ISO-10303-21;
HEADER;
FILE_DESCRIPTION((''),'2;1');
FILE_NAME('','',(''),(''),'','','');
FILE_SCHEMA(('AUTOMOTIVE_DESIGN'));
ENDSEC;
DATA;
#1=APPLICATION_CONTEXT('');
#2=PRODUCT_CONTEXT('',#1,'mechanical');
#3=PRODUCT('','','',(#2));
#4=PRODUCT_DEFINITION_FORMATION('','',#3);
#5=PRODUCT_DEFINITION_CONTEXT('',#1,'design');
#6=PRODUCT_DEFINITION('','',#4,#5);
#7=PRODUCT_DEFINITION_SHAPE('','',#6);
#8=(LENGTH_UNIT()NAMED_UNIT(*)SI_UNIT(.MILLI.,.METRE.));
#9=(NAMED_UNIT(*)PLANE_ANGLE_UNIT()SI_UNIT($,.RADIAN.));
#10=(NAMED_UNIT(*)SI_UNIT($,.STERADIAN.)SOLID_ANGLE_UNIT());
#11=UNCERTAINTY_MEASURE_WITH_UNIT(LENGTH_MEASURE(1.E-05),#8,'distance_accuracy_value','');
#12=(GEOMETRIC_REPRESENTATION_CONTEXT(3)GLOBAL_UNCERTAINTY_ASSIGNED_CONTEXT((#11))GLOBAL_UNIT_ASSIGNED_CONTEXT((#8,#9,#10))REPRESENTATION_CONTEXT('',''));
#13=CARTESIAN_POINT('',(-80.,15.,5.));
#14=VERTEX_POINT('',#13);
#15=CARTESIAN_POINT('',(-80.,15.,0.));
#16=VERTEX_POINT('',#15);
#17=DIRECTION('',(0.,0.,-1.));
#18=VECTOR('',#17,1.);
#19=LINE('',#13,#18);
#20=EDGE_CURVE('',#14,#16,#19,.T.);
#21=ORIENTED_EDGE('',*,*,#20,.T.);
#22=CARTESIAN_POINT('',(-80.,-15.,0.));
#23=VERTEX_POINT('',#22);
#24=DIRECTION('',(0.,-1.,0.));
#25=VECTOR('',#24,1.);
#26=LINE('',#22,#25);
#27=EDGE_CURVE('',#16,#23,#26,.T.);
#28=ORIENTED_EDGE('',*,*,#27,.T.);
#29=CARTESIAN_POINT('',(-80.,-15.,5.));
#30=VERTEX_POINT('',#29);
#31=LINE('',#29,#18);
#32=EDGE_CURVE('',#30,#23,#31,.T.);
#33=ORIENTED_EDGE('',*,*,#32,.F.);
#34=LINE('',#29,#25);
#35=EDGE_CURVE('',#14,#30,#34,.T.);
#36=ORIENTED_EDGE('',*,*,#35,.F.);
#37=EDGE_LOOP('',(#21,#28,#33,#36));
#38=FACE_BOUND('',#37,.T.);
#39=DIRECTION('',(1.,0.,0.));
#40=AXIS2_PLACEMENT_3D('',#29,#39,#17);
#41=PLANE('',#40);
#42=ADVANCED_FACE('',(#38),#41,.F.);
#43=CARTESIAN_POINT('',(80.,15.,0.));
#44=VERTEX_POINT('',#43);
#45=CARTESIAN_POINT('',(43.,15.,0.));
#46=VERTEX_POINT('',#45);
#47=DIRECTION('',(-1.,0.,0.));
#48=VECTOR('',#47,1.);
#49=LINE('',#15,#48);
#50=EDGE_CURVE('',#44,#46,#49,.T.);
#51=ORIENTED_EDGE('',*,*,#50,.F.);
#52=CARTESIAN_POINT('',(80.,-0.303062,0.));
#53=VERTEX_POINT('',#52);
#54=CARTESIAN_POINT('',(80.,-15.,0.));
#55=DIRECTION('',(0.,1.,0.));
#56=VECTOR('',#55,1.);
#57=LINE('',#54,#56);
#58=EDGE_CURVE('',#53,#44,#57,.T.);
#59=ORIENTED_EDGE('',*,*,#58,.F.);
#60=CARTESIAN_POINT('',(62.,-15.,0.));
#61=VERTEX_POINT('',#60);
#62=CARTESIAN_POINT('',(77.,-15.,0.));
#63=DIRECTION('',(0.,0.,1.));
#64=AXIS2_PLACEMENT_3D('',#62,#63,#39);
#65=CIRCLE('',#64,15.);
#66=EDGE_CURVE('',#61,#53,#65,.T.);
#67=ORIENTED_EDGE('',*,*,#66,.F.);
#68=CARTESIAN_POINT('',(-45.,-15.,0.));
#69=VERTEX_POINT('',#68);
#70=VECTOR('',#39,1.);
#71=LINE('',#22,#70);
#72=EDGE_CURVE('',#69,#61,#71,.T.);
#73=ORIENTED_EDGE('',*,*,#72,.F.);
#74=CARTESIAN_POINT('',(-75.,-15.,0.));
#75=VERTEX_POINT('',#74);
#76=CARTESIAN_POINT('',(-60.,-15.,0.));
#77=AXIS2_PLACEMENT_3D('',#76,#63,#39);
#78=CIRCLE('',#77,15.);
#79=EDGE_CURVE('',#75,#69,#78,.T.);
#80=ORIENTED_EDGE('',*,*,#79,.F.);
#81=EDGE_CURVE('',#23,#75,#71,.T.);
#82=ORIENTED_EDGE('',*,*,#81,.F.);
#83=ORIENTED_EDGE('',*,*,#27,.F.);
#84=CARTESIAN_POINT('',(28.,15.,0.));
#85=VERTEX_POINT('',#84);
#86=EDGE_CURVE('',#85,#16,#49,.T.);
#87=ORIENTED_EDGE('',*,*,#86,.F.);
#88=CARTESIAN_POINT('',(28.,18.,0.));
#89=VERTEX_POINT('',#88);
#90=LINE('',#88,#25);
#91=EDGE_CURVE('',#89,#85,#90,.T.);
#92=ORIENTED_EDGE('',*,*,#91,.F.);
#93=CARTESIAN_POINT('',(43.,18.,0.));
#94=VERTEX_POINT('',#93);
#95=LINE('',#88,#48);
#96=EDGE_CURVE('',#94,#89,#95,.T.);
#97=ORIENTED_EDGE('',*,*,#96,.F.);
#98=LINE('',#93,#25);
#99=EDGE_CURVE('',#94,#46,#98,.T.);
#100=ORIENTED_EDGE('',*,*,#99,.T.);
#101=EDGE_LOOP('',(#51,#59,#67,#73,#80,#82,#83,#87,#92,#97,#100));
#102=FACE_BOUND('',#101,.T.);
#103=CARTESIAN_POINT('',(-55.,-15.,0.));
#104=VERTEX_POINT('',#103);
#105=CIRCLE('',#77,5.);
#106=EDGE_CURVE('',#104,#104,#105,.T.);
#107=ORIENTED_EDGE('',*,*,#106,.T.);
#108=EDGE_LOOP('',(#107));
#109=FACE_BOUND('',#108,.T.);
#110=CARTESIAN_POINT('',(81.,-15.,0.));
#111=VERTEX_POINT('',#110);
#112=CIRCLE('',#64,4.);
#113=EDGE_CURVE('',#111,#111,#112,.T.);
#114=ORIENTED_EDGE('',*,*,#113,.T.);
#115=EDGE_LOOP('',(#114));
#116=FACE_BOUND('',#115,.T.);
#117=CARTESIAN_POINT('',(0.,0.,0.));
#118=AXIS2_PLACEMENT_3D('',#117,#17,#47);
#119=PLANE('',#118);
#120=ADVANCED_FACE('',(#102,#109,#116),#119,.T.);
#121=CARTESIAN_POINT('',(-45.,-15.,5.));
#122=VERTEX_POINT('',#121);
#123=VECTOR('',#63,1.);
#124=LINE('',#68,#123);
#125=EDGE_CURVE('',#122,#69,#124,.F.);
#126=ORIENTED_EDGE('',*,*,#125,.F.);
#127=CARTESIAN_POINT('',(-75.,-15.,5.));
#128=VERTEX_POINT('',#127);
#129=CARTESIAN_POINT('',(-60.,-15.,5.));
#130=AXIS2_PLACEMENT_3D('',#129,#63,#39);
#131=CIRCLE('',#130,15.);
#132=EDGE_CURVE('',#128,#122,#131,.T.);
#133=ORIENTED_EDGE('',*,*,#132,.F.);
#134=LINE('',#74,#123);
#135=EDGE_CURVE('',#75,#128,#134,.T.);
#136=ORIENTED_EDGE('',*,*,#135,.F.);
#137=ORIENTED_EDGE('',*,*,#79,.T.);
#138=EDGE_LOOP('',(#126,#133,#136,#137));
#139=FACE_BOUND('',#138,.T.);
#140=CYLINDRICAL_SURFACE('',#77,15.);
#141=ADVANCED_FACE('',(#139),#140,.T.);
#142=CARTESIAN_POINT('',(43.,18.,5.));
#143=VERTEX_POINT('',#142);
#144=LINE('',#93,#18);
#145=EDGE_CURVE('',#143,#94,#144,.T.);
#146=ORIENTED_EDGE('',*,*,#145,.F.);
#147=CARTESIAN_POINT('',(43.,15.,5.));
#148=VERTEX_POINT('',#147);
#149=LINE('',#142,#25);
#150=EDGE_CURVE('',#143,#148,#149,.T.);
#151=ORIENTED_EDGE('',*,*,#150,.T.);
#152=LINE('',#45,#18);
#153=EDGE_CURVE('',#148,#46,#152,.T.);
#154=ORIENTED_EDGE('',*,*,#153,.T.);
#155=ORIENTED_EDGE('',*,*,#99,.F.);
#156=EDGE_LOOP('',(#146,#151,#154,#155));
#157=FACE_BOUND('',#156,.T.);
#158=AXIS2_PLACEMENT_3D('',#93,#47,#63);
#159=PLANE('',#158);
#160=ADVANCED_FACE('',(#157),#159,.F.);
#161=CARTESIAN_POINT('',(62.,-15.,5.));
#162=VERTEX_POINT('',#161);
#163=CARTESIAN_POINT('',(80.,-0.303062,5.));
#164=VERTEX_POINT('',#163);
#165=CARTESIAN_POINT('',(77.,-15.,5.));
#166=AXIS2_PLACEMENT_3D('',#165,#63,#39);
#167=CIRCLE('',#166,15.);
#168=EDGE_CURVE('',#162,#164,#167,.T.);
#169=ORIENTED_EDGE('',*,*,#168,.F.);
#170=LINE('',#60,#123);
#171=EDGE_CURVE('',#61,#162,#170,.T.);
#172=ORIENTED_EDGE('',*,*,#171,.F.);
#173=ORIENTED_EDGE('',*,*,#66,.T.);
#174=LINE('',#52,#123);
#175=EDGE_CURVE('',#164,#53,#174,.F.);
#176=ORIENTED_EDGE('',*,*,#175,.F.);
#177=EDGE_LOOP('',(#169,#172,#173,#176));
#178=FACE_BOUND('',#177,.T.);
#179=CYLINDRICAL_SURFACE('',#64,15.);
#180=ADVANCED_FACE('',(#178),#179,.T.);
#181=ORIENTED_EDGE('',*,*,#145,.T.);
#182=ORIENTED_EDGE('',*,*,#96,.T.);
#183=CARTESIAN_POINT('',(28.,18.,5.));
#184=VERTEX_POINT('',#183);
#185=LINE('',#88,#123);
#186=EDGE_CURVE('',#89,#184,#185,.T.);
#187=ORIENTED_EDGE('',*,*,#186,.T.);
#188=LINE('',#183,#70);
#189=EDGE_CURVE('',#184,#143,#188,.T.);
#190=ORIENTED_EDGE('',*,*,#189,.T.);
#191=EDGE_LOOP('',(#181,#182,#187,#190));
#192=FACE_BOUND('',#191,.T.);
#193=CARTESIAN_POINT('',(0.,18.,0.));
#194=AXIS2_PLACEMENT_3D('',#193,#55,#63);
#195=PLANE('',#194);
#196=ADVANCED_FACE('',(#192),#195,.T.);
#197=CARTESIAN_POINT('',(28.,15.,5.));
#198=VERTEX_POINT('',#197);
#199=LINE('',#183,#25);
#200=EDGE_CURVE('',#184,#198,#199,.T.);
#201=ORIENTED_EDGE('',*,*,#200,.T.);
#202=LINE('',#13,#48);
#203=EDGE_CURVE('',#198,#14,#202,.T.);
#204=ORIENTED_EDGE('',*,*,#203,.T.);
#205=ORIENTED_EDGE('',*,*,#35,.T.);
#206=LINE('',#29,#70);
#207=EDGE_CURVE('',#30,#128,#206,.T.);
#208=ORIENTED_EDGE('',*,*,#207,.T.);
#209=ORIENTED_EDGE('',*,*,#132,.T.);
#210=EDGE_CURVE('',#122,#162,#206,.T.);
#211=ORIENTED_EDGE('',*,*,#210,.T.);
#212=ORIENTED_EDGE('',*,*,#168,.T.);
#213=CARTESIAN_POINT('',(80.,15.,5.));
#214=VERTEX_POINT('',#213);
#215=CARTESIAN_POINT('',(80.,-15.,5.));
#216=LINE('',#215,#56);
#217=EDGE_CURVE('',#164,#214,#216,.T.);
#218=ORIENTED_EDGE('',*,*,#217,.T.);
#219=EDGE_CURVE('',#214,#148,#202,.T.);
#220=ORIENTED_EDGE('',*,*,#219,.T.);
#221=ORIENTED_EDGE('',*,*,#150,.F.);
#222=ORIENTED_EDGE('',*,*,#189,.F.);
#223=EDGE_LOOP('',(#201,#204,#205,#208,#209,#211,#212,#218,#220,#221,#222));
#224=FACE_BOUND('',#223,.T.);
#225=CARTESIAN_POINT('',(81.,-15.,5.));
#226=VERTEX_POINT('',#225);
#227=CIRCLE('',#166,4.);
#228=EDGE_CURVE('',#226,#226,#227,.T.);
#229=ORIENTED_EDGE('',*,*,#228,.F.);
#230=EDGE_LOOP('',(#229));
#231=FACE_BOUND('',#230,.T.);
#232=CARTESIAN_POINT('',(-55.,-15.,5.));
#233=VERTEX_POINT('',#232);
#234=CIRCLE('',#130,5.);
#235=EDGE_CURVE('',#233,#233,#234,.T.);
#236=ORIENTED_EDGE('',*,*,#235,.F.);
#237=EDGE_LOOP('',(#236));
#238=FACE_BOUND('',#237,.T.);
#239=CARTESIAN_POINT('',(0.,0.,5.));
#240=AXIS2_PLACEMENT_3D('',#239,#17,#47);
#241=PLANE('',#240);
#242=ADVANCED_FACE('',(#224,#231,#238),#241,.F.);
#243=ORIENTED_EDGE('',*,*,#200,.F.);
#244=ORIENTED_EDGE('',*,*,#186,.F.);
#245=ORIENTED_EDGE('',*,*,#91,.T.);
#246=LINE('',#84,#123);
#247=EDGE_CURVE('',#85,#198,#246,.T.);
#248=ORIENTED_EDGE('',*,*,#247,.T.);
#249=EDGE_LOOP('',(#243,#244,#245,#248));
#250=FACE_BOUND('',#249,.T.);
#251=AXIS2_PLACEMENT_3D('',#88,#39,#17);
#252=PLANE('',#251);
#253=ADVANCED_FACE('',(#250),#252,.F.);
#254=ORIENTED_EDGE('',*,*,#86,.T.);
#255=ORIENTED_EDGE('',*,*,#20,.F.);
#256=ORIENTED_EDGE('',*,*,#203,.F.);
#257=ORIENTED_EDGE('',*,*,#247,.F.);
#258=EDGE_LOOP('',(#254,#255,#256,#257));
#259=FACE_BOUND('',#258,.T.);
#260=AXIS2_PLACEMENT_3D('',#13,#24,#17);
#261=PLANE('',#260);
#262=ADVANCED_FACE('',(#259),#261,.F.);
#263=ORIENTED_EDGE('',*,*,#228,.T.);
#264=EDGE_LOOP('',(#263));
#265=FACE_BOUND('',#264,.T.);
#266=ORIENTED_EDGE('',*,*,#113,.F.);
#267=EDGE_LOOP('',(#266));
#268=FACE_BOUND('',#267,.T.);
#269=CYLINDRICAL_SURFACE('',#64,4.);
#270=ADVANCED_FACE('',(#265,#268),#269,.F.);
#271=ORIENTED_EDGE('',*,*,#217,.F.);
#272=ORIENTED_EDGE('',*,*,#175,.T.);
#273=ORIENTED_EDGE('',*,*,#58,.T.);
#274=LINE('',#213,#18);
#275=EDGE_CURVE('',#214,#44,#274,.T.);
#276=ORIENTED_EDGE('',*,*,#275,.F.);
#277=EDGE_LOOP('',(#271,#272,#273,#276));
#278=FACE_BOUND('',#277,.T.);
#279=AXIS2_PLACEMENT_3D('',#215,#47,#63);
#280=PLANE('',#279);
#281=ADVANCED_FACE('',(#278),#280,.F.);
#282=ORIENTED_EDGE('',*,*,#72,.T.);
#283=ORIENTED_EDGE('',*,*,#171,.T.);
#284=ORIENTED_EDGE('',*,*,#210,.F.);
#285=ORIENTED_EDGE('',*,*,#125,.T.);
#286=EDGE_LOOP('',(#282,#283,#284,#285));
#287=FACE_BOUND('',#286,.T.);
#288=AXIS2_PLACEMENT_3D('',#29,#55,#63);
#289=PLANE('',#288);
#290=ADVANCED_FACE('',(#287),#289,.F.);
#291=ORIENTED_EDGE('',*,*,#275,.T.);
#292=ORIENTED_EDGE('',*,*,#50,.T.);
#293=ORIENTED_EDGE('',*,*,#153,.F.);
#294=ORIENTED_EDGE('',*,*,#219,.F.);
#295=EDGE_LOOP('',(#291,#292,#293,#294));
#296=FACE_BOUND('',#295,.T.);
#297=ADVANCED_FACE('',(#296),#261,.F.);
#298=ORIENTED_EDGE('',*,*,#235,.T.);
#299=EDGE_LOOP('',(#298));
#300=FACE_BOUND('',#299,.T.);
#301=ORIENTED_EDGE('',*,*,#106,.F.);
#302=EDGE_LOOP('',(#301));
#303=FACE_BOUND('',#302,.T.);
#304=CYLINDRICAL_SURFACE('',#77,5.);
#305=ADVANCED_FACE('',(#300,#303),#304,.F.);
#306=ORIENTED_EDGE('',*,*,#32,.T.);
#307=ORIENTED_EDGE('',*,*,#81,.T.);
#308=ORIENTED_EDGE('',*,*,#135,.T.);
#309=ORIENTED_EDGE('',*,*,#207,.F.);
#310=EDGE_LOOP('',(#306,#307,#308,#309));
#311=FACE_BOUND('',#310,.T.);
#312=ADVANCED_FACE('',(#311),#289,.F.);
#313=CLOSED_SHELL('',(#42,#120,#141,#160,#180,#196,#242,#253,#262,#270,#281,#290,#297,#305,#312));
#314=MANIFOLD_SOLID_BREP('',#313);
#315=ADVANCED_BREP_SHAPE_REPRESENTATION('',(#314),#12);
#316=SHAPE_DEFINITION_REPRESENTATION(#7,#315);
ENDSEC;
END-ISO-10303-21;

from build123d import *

# Parameters (mm, degrees)
SKETCH_1_W          = 160
SKETCH_1_H          = 30
EXTRUDE_1_DEPTH     = 5
SKETCH_2_R          = 15
EXTRUDE_2_DEPTH     = 5
SKETCH_3_R          = 5
SKETCH_3_R_2        = 4
CUT_EXTRUDE_1_DEPTH = 6
SKETCH_4_W          = 15
SKETCH_4_H          = 5
EXTRUDE_3_DEPTH     = 3


with BuildPart() as part:
    # 草图1 → 凸台-拉伸1 (new body)
    with BuildSketch(Plane.XY):
        Rectangle(SKETCH_1_W, SKETCH_1_H)
    extrude(amount=EXTRUDE_1_DEPTH)

    # 草图2 → 凸台-拉伸2 (add)
    with BuildSketch(Plane.XY.offset(5)):
        with Locations((-60, -15)):
            Circle(SKETCH_2_R)
        with Locations((77, -15)):
            Circle(SKETCH_2_R)
    extrude(amount=-EXTRUDE_2_DEPTH)

    # 草图3 → 切除-拉伸1 (cut, through all)
    with BuildSketch(Plane.XY.offset(5)):
        with Locations((-60, -15)):
            Circle(SKETCH_3_R)
        with Locations((77, -15)):
            Circle(SKETCH_3_R_2)
    extrude(amount=-CUT_EXTRUDE_1_DEPTH, mode=Mode.SUBTRACT)

    # 草图4 → 凸台-拉伸3 (add)
    with BuildSketch(Plane(origin=(0, 15, 0), x_dir=(1, 0, 0), z_dir=(0, 1, 0))):
        with Locations((35.5, -2.5)):
            Rectangle(SKETCH_4_W, SKETCH_4_H)
    extrude(amount=EXTRUDE_3_DEPTH)


solid = part.part
